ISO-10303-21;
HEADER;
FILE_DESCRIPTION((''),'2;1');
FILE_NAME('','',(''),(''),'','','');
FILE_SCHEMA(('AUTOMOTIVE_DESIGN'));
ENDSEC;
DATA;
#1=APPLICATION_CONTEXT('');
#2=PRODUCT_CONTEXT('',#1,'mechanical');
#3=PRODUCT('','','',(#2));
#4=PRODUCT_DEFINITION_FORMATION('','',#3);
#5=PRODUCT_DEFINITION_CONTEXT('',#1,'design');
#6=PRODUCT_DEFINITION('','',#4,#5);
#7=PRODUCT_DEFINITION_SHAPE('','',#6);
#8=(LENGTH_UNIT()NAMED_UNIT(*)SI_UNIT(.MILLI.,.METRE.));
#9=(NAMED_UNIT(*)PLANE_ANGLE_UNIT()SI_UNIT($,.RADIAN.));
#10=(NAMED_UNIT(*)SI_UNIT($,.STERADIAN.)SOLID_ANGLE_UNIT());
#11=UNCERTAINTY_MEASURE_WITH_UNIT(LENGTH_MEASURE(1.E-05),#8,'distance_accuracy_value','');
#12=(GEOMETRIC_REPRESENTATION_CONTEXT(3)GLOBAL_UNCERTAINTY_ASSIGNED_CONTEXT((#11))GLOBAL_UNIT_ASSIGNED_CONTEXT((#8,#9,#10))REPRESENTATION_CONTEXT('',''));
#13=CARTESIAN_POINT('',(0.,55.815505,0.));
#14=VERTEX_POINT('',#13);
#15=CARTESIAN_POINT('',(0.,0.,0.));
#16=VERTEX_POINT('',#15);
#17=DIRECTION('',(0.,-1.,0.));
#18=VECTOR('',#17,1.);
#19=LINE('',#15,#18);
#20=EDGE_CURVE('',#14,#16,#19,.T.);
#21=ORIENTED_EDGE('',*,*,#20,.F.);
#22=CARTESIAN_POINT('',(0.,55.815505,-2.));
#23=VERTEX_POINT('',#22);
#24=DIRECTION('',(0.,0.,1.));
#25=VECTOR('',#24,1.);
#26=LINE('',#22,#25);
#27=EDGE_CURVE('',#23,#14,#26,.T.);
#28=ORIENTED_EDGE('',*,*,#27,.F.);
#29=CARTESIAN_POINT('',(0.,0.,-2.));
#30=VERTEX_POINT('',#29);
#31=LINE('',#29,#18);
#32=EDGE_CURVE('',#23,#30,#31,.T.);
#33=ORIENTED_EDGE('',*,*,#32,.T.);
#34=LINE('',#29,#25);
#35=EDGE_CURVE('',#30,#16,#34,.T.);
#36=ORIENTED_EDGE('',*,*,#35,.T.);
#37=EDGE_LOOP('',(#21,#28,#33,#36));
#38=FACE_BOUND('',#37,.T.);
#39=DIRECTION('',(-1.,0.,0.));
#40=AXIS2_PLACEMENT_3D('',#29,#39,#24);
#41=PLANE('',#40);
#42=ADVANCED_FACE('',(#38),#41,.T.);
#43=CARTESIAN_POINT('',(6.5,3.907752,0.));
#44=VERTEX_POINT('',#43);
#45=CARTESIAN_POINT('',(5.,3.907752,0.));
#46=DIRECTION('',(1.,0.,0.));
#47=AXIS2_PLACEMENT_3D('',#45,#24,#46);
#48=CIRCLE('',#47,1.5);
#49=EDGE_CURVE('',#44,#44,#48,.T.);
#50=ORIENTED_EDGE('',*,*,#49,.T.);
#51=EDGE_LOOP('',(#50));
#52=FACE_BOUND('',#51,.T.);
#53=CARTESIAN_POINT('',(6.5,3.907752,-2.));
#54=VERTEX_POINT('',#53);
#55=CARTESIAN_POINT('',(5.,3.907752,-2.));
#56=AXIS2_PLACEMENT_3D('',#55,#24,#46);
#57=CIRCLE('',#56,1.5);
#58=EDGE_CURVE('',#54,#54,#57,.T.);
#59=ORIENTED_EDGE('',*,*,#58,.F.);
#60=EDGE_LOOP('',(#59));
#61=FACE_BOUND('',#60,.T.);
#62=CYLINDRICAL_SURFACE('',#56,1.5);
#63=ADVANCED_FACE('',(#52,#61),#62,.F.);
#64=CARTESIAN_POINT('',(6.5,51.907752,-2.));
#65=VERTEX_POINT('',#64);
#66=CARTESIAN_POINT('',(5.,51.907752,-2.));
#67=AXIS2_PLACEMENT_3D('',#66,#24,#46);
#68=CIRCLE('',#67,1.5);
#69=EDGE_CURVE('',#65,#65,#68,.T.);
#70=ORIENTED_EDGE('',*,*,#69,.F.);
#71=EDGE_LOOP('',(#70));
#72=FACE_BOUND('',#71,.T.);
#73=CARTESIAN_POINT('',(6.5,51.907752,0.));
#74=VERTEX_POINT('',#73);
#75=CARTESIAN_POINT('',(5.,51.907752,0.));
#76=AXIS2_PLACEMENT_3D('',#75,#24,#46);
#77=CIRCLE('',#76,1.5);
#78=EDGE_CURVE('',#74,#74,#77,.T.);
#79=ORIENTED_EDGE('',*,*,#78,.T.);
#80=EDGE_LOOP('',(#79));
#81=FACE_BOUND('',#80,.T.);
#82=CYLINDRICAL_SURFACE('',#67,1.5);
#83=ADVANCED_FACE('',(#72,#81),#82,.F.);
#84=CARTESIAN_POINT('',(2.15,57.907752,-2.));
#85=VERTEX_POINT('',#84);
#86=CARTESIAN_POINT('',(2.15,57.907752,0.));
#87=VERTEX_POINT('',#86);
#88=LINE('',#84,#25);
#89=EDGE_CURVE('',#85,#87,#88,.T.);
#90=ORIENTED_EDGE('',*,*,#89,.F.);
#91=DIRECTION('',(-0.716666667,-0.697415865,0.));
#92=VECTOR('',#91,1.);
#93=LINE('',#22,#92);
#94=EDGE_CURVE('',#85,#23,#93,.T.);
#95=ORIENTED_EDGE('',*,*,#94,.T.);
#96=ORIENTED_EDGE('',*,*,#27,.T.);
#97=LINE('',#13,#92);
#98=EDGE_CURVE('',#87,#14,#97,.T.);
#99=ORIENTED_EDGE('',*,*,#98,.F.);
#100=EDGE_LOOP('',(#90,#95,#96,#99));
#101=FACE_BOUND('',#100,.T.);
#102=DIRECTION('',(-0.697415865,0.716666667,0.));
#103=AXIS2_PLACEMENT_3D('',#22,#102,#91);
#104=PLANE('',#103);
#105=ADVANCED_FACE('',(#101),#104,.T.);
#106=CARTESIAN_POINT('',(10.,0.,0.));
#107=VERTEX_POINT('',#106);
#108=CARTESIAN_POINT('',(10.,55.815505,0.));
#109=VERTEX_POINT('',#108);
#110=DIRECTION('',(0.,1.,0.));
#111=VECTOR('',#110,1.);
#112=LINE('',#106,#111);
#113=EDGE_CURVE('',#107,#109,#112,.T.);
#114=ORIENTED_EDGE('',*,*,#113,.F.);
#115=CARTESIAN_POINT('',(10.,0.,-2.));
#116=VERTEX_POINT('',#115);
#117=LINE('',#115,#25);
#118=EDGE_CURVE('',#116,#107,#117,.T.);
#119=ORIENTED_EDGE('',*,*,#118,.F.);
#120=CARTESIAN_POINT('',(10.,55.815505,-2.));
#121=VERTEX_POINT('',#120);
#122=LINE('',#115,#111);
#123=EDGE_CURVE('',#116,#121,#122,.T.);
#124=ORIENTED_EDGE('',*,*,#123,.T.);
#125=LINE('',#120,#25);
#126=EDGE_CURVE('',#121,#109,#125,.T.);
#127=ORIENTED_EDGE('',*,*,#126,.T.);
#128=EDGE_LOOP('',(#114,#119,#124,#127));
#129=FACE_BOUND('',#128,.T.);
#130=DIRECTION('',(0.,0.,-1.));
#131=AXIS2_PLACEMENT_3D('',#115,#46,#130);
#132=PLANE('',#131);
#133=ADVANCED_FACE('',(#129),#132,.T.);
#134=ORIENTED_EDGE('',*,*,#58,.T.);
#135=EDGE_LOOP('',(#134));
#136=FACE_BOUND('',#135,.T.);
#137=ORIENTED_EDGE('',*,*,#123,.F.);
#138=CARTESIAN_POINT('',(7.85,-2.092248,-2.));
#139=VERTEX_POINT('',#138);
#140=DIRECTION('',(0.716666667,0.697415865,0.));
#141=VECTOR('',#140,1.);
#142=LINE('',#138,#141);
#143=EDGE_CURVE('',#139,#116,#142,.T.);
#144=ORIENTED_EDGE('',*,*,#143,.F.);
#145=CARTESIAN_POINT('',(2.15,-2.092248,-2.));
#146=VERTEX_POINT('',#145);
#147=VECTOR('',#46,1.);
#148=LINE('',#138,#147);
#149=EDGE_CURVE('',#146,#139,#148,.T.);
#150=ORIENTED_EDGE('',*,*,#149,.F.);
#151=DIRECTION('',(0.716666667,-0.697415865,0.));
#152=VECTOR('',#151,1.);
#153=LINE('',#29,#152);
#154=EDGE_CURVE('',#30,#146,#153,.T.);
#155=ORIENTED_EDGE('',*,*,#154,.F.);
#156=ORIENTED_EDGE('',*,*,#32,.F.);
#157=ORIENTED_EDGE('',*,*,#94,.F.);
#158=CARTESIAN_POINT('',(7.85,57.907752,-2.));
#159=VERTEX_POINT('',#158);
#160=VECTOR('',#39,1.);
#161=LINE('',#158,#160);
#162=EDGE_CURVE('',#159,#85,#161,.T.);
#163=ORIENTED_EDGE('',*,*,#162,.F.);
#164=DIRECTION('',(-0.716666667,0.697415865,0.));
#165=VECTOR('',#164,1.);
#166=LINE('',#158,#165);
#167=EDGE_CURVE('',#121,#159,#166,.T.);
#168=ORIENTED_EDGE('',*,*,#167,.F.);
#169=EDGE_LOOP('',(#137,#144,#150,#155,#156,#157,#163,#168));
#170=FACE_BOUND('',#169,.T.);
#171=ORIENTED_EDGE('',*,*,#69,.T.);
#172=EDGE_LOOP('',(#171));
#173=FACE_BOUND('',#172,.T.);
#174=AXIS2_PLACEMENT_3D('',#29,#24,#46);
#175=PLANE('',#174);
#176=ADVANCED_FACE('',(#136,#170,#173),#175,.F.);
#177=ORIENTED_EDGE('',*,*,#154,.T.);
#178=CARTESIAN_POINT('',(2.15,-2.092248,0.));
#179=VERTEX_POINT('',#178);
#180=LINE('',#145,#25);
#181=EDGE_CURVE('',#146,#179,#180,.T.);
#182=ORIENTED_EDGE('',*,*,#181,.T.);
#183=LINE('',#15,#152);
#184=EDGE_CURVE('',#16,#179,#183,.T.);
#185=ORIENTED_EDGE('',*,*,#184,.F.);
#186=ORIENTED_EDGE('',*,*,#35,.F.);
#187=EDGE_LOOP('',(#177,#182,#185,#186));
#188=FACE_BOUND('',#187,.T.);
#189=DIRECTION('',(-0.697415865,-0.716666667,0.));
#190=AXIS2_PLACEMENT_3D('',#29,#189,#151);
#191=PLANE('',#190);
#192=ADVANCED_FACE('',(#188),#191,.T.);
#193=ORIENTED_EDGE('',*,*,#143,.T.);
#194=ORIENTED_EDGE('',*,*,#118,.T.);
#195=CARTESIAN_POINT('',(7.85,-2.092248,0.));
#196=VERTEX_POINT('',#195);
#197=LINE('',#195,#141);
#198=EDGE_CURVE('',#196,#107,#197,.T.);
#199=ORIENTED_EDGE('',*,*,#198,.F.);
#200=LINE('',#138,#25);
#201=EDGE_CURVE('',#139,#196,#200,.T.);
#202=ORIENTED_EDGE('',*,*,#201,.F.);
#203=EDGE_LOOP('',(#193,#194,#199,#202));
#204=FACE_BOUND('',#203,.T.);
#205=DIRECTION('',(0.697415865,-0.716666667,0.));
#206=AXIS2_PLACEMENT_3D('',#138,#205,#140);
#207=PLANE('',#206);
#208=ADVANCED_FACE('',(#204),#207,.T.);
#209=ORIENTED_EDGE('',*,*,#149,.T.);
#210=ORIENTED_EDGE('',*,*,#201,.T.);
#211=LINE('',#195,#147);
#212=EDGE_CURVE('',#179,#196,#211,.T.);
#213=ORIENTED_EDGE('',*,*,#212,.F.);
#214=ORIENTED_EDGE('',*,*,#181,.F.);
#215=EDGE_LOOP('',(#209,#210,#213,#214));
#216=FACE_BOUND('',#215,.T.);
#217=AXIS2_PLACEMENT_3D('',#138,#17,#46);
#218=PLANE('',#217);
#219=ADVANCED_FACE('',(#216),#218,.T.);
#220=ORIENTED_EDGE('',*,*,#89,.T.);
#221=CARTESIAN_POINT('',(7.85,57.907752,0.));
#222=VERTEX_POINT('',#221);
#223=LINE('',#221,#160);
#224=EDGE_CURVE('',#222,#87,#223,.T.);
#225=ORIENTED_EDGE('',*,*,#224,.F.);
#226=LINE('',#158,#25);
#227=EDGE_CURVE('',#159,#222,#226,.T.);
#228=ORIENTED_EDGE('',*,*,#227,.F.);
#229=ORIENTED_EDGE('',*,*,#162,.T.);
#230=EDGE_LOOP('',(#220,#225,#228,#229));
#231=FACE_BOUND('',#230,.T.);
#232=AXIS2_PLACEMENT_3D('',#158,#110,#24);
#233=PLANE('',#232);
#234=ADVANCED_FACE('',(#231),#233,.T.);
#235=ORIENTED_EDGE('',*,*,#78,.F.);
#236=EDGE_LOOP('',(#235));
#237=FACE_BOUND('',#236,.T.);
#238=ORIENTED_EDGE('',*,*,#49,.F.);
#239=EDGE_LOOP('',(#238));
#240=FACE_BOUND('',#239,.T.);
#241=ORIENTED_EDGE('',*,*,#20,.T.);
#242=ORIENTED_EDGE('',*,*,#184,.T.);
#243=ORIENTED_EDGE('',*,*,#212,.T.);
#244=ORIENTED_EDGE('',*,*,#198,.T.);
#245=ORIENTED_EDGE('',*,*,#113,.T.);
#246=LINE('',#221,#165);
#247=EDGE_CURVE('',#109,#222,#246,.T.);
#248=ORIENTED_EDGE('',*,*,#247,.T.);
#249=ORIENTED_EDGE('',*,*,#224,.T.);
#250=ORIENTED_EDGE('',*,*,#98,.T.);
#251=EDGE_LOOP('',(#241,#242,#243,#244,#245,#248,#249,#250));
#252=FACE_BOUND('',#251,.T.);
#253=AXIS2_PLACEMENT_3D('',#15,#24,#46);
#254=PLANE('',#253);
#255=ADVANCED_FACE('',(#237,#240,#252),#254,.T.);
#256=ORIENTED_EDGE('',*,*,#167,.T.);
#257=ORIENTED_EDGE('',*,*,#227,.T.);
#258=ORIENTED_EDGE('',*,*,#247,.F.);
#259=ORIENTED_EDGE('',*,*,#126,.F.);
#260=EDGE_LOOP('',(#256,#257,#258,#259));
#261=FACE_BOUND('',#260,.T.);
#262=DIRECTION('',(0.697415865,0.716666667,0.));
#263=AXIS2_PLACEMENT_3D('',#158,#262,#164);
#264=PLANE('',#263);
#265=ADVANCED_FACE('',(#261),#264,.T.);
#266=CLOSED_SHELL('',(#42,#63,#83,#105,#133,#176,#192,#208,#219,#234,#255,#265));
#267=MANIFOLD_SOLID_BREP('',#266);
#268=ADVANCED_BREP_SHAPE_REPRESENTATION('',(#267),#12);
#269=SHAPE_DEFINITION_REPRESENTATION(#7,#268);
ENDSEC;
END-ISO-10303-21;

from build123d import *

# Parameters (mm, degrees)
ESTRUSIONE_ESTRUSIONE1_DEPTH = 2
SCHIZZO2_R                   = 1.5
TAGLIO_ESTRUSIONE1_DEPTH     = 59.798875742


with BuildPart() as part:
    # Schizzo1 → Estrusione-Estrusione1 (new body)
    with BuildSketch(Plane.XY):
        Polygon((0, 55.815504809), (2.15, 57.907752405), (7.85, 57.907752405), (10, 55.815504809), (10, 0), (7.85, -2.092247595), (2.15, -2.092247595), (0, 0), align=None)
    extrude(amount=-ESTRUSIONE_ESTRUSIONE1_DEPTH)

    # Schizzo2 → Taglio-Estrusione1 (cut, through all)
    with BuildSketch(Plane.XY):
        with Locations((5, 51.907752405)):
            Circle(SCHIZZO2_R)
        with Locations((5, 3.907752405)):
            Circle(SCHIZZO2_R)
    extrude(amount=-TAGLIO_ESTRUSIONE1_DEPTH, mode=Mode.SUBTRACT)


solid = part.part
